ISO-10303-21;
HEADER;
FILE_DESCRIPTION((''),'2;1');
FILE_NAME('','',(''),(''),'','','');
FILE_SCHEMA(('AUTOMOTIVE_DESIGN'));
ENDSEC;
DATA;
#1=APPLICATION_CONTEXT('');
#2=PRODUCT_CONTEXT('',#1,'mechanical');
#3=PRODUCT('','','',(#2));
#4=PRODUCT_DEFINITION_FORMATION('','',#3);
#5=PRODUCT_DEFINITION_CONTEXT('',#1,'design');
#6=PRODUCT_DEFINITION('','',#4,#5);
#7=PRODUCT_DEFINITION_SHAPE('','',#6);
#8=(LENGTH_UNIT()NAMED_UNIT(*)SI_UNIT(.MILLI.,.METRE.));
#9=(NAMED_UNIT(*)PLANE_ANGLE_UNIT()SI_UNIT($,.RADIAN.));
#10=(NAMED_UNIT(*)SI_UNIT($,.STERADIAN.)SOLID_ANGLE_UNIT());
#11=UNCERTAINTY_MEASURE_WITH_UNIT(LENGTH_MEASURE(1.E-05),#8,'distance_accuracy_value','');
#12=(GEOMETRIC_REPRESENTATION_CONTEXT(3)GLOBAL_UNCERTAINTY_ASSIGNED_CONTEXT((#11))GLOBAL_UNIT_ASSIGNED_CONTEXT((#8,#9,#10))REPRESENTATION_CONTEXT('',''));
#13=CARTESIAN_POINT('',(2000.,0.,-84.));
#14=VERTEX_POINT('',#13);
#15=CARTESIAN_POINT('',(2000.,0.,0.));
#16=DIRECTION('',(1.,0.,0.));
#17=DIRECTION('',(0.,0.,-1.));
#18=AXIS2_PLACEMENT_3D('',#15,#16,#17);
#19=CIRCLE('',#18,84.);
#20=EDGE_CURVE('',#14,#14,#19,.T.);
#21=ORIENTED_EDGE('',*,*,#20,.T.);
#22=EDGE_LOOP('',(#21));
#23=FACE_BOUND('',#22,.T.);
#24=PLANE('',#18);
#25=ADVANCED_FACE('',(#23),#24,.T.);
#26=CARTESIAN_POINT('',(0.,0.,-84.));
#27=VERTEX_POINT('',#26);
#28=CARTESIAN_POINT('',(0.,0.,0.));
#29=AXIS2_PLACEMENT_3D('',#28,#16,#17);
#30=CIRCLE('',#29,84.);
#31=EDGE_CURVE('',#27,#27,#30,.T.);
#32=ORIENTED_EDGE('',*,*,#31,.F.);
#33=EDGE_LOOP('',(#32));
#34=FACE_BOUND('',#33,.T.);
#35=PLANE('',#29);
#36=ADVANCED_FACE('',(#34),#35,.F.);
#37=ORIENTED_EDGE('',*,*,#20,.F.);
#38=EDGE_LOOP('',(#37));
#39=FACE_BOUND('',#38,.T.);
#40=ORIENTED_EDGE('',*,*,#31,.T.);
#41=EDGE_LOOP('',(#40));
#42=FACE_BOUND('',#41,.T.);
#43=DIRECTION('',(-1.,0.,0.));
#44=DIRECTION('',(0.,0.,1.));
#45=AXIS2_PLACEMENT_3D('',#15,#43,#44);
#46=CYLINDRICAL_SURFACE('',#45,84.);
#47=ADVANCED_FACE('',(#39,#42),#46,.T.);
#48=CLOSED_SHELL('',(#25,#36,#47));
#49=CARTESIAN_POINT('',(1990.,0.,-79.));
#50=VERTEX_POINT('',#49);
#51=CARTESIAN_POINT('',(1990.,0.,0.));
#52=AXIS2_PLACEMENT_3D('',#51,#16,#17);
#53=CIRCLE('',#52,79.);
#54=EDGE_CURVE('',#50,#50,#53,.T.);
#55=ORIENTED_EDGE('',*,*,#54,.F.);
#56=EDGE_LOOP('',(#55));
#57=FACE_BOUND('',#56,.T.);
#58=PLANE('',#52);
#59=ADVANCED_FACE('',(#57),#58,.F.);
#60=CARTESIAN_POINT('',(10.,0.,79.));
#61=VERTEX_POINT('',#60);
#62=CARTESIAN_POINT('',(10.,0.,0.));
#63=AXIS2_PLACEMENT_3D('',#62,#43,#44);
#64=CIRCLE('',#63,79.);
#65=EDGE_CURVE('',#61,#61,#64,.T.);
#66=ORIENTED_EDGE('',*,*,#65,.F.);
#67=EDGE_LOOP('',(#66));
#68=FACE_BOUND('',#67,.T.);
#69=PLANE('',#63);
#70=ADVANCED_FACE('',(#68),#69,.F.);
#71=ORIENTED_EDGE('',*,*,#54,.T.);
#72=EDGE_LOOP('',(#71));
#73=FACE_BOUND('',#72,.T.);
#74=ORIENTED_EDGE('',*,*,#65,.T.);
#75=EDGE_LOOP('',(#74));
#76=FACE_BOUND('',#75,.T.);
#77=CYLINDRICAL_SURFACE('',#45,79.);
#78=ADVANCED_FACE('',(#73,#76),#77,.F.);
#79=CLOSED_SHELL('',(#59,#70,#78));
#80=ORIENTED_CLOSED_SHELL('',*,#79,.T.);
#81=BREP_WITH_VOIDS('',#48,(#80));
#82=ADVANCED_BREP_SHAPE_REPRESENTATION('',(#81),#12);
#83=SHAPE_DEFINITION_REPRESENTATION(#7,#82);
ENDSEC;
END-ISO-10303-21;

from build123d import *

# Parameters (mm, degrees)
CROQUIS1_R              = 84
CROQUIS1_R_2            = 79
SALIENTE_EXTRUIR1_DEPTH = 2000
CROQUIS2_R              = 84
SALIENTE_EXTRUIR2_DEPTH = 10
SALIENTE_EXTRUIR3_START = -10
CROQUIS3_R              = 84
SALIENTE_EXTRUIR3_DEPTH = 10


with BuildPart() as part:
    # Croquis1 → Saliente-Extruir1 (new body)
    with BuildSketch(Plane(origin=(0, 0, 0), x_dir=(0, 0, -1), z_dir=(1, 0, 0))):
        Circle(CROQUIS1_R)
        Circle(CROQUIS1_R_2, mode=Mode.SUBTRACT)
    extrude(amount=SALIENTE_EXTRUIR1_DEPTH)

    # Croquis2 → Saliente-Extruir2 (add)
    with BuildSketch(Plane.ZY):
        with Locations(Location((0, 0, 0), (0, 0, 180))):
            Circle(CROQUIS2_R)
    extrude(amount=-SALIENTE_EXTRUIR2_DEPTH)

    # Croquis3 → Saliente-Extruir3 (add)
    with BuildSketch(Plane(origin=(2000, 0, 0), x_dir=(0, 0, -1), z_dir=(1, 0, 0)).offset(SALIENTE_EXTRUIR3_START)):
        Circle(CROQUIS3_R)
    extrude(amount=SALIENTE_EXTRUIR3_DEPTH)


solid = part.part
